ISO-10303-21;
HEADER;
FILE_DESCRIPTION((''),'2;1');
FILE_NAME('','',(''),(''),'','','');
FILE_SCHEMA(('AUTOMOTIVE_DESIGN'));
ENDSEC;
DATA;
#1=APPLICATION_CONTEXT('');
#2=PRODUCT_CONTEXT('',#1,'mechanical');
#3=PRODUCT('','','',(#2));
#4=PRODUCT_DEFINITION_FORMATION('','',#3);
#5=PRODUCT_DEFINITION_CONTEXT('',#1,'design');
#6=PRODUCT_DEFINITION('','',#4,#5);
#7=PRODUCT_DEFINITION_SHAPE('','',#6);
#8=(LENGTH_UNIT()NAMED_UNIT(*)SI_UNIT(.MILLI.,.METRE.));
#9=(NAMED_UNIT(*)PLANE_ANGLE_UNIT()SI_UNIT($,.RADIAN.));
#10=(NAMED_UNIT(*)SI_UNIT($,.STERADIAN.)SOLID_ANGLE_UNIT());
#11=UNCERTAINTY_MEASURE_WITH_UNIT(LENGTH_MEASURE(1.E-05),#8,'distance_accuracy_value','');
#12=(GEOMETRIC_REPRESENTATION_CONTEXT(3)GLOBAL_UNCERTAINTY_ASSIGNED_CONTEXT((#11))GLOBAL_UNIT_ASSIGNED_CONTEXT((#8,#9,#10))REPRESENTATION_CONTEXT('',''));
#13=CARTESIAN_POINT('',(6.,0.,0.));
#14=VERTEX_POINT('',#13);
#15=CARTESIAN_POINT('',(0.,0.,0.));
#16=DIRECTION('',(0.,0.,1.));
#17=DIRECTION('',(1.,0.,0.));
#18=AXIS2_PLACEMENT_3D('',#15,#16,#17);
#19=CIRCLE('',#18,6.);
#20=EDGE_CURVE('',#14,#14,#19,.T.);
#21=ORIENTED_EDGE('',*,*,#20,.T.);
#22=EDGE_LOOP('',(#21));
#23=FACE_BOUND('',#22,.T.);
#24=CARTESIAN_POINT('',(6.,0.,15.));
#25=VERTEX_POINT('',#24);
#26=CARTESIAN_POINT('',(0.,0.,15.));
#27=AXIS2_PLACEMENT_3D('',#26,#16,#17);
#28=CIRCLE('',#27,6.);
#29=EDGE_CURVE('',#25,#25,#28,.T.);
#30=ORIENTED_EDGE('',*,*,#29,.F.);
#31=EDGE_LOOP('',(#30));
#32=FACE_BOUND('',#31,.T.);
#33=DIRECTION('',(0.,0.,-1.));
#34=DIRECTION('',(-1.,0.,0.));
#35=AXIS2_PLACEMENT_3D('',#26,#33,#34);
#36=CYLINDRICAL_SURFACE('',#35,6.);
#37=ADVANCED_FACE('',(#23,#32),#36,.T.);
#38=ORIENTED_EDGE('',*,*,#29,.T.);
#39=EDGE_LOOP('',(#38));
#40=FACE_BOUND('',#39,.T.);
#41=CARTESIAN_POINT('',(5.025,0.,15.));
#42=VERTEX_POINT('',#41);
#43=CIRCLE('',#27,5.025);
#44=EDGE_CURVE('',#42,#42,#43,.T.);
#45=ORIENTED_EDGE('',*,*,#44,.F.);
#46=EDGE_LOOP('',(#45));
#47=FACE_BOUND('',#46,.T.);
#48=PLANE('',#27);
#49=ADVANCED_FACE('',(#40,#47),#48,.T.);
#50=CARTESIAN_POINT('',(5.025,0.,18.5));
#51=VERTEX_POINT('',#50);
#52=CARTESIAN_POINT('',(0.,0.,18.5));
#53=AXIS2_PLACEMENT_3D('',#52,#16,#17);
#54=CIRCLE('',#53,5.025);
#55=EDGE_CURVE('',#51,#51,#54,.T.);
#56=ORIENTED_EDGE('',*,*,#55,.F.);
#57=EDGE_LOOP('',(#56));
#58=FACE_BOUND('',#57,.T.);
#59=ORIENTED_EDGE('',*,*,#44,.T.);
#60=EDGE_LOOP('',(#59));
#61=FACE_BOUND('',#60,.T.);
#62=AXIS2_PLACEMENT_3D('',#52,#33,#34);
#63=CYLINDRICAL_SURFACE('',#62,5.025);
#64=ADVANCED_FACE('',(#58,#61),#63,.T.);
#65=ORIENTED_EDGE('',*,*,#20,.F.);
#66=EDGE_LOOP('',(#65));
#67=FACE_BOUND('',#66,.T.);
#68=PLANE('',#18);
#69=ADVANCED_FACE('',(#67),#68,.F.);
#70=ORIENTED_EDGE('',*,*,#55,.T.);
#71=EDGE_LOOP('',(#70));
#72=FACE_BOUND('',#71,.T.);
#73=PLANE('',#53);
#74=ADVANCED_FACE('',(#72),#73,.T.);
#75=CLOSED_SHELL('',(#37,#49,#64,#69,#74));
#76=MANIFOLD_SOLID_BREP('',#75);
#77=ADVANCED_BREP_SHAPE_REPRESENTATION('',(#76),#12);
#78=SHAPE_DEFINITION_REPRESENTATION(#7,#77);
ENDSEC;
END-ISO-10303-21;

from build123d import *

# Parameters (mm, degrees)
SKETCH1_R           = 6
BOSS_EXTRUDE1_DEPTH = 15
SKETCH2_R           = 5.025
BOSS_EXTRUDE2_DEPTH = 3.5


with BuildPart() as part:
    # Sketch1 → Boss-Extrude1 (new body)
    with BuildSketch(Plane(origin=(0, 0, 0), x_dir=(0, 1, 0), z_dir=(0, 0, 1))):
        with Locations(Location((0, 0, 0), (0, 0, 270))):
            Circle(SKETCH1_R)
    extrude(amount=BOSS_EXTRUDE1_DEPTH)

    # Sketch2 → Boss-Extrude2 (add)
    with BuildSketch(Plane.XY.offset(15)):
        Circle(SKETCH2_R)
    extrude(amount=BOSS_EXTRUDE2_DEPTH)


solid = part.part
